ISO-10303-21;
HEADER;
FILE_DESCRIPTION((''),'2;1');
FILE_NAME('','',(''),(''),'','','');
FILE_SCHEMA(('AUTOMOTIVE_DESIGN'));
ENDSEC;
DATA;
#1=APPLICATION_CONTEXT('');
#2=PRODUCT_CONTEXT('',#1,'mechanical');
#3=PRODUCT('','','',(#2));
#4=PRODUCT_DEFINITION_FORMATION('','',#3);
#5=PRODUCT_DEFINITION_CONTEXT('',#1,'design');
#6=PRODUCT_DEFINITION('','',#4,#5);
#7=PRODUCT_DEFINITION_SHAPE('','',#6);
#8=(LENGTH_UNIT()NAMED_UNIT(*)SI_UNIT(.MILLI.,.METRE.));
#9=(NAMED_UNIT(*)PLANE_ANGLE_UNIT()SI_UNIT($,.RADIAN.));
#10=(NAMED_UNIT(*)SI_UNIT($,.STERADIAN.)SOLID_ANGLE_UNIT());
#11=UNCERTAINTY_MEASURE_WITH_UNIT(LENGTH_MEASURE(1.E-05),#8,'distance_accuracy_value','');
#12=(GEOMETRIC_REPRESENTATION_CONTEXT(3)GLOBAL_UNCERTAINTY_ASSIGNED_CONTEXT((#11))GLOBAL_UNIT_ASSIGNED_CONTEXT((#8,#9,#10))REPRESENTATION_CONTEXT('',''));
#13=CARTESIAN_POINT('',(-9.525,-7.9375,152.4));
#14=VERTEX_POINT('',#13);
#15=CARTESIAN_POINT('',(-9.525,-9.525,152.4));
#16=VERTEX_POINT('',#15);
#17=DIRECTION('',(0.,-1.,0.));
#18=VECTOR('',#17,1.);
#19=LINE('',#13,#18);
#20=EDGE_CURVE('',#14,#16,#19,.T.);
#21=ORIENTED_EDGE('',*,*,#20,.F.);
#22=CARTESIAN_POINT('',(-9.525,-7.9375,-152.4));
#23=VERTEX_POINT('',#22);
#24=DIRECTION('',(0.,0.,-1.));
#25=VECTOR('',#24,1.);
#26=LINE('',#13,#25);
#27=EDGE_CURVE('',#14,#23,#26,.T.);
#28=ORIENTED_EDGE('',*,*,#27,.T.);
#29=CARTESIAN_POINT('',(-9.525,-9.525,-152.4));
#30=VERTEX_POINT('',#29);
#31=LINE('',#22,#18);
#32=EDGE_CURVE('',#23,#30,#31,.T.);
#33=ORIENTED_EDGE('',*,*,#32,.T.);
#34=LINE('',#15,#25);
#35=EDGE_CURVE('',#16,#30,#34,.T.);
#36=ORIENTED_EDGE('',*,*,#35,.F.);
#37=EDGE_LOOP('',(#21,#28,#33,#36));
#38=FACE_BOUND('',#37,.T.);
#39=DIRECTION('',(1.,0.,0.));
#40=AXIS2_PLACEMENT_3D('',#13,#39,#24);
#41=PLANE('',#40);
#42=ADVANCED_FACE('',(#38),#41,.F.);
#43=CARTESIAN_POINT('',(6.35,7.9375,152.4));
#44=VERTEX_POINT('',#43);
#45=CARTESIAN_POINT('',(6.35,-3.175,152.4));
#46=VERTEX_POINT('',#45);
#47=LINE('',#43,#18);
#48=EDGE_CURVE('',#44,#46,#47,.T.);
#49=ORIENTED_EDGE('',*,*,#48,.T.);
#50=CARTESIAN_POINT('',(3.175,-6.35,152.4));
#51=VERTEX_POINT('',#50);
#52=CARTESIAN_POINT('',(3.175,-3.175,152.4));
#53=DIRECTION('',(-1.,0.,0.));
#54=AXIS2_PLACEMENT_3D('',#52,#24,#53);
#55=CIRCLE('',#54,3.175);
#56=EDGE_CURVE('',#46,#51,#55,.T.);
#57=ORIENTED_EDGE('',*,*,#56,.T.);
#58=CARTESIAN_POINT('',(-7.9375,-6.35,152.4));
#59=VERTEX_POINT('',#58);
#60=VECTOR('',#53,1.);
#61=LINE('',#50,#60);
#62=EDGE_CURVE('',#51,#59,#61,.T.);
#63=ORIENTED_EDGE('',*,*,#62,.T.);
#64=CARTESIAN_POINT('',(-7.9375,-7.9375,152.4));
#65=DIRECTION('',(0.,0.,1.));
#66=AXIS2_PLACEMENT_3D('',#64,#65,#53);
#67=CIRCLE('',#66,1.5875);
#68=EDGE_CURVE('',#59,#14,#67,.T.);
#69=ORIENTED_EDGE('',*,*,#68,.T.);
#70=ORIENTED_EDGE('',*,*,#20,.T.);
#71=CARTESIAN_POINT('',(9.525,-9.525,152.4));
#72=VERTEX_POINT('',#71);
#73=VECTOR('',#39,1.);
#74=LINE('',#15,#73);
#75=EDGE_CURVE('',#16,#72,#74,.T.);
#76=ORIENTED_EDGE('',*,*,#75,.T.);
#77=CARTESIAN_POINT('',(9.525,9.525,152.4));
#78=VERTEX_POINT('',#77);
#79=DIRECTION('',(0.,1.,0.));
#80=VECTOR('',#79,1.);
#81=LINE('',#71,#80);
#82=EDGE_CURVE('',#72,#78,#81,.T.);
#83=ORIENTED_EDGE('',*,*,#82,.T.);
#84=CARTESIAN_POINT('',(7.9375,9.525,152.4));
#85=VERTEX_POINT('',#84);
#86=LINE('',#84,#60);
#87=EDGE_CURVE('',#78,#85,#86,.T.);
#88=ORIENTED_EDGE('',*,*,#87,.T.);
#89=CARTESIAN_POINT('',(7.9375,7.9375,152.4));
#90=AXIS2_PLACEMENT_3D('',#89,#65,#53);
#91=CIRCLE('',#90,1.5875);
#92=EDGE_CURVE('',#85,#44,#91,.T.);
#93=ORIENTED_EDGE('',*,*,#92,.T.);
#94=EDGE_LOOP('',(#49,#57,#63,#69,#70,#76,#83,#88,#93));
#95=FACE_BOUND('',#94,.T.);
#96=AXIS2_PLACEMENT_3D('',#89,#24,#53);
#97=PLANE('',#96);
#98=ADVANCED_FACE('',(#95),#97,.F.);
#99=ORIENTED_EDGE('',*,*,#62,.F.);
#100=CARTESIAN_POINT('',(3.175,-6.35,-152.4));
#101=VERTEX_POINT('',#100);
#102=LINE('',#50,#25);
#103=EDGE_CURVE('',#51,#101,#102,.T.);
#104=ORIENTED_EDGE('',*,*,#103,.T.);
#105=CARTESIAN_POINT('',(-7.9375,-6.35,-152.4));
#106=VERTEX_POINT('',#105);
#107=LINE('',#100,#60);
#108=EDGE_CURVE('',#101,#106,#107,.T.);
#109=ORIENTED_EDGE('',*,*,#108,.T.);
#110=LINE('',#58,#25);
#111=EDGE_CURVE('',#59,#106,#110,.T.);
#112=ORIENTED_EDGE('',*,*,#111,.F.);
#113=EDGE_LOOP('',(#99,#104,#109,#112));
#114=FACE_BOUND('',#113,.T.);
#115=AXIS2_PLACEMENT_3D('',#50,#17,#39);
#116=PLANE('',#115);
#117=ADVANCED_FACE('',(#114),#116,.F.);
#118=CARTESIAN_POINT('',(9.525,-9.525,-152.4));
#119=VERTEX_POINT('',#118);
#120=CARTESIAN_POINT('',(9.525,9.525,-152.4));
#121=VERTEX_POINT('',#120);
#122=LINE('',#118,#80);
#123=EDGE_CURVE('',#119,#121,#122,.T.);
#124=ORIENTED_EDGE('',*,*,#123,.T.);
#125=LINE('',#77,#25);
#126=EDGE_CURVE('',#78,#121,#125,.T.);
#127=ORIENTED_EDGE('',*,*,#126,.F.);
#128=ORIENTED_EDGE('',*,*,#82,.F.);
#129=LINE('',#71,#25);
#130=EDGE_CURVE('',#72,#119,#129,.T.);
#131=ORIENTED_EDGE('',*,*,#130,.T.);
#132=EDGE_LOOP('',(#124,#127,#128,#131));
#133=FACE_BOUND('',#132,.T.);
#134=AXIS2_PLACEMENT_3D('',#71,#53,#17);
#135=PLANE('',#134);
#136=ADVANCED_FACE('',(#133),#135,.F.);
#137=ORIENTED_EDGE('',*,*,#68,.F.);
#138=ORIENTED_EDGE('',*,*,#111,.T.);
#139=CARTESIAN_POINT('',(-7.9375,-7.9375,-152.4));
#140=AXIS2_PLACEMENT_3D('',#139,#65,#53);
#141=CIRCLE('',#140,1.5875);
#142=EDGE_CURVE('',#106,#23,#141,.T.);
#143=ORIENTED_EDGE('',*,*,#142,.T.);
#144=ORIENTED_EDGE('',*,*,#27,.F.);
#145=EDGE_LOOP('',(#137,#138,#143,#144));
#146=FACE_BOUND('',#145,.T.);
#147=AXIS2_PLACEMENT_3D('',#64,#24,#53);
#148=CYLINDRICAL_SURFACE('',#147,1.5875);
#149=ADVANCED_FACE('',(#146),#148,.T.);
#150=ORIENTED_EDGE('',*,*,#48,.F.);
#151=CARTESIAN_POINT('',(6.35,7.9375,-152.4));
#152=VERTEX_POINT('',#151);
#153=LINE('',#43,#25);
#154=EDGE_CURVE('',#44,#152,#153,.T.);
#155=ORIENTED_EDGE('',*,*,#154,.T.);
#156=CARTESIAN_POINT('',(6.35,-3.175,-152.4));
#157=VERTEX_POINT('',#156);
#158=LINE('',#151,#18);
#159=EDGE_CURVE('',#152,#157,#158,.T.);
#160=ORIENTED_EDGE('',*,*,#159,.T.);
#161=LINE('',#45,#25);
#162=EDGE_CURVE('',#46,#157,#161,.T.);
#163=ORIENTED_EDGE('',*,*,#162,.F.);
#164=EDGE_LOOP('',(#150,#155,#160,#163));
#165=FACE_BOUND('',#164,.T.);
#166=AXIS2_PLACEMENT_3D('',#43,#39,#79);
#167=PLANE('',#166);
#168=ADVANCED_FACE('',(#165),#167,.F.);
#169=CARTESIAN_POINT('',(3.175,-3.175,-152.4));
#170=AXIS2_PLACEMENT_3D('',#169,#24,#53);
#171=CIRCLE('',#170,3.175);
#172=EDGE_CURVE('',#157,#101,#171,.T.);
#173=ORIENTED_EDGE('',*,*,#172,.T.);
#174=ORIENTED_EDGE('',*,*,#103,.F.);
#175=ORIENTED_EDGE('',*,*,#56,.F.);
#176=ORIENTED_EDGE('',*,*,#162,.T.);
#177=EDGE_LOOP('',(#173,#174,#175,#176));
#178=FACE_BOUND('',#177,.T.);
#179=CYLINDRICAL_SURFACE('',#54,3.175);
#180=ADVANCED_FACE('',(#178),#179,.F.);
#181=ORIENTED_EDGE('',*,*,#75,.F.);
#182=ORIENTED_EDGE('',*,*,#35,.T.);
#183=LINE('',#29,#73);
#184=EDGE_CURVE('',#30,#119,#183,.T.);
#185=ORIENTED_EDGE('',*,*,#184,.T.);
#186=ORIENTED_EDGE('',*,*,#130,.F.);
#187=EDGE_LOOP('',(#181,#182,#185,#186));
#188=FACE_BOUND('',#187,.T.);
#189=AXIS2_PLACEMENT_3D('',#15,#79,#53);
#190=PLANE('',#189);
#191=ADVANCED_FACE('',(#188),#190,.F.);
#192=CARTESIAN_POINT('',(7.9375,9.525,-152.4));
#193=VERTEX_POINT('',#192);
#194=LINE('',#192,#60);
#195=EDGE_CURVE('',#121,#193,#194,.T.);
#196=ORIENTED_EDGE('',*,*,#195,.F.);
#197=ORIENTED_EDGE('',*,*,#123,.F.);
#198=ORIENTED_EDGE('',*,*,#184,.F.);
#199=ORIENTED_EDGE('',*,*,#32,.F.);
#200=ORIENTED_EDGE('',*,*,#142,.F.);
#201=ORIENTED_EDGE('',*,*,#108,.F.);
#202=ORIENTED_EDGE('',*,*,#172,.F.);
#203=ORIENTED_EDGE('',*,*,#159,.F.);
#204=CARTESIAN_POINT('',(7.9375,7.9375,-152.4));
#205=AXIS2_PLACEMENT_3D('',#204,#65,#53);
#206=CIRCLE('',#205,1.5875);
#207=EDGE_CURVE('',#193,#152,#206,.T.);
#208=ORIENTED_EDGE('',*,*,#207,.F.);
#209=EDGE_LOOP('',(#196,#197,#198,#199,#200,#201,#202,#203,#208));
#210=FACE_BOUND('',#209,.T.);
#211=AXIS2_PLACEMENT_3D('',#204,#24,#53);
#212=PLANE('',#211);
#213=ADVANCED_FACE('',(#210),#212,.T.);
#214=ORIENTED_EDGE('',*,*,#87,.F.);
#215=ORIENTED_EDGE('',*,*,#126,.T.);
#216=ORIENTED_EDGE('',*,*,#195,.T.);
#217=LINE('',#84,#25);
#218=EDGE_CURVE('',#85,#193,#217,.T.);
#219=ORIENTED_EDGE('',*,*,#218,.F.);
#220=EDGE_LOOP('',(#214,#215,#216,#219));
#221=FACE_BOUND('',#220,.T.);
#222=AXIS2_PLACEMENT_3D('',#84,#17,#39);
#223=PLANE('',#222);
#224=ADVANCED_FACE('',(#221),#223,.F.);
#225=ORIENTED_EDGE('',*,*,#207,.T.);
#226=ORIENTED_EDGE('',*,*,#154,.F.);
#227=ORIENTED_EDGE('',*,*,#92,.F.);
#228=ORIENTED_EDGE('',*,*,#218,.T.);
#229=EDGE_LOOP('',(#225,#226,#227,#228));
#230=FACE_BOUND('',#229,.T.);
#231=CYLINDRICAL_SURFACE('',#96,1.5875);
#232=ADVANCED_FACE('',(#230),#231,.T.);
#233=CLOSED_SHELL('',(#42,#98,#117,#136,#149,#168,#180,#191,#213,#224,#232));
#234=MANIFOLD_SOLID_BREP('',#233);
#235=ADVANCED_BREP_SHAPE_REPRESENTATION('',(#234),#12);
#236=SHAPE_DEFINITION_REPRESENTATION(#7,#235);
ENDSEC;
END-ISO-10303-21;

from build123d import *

# Parameters (mm, degrees)
BOSS_EXTRUDE1_DEPTH = 152.4


with BuildPart() as part:
    # Sketch2 → Boss-Extrude1 (new, symmetric)
    with BuildSketch(Plane.XY):
        with BuildLine():
            Line((-9.525, -9.525), (9.525, -9.525))
            Line((9.525, -9.525), (9.525, 9.525))
            Line((9.525, 9.525), (7.9375, 9.525))
            ThreePointArc((7.9375, 9.525), (6.814967985, 9.060032015), (6.35, 7.9375))
            Line((6.35, 7.9375), (6.35, -3.175))
            ThreePointArc((6.35, -3.175), (5.42006403, -5.42006403), (3.175, -6.35))
            Line((3.175, -6.35), (-7.9375, -6.35))
            ThreePointArc((-7.9375, -6.35), (-9.060032015, -6.814967985), (-9.525, -7.9375))
            Line((-9.525, -7.9375), (-9.525, -9.525))
        make_face()
    extrude(amount=BOSS_EXTRUDE1_DEPTH, both=True)


solid = part.part
